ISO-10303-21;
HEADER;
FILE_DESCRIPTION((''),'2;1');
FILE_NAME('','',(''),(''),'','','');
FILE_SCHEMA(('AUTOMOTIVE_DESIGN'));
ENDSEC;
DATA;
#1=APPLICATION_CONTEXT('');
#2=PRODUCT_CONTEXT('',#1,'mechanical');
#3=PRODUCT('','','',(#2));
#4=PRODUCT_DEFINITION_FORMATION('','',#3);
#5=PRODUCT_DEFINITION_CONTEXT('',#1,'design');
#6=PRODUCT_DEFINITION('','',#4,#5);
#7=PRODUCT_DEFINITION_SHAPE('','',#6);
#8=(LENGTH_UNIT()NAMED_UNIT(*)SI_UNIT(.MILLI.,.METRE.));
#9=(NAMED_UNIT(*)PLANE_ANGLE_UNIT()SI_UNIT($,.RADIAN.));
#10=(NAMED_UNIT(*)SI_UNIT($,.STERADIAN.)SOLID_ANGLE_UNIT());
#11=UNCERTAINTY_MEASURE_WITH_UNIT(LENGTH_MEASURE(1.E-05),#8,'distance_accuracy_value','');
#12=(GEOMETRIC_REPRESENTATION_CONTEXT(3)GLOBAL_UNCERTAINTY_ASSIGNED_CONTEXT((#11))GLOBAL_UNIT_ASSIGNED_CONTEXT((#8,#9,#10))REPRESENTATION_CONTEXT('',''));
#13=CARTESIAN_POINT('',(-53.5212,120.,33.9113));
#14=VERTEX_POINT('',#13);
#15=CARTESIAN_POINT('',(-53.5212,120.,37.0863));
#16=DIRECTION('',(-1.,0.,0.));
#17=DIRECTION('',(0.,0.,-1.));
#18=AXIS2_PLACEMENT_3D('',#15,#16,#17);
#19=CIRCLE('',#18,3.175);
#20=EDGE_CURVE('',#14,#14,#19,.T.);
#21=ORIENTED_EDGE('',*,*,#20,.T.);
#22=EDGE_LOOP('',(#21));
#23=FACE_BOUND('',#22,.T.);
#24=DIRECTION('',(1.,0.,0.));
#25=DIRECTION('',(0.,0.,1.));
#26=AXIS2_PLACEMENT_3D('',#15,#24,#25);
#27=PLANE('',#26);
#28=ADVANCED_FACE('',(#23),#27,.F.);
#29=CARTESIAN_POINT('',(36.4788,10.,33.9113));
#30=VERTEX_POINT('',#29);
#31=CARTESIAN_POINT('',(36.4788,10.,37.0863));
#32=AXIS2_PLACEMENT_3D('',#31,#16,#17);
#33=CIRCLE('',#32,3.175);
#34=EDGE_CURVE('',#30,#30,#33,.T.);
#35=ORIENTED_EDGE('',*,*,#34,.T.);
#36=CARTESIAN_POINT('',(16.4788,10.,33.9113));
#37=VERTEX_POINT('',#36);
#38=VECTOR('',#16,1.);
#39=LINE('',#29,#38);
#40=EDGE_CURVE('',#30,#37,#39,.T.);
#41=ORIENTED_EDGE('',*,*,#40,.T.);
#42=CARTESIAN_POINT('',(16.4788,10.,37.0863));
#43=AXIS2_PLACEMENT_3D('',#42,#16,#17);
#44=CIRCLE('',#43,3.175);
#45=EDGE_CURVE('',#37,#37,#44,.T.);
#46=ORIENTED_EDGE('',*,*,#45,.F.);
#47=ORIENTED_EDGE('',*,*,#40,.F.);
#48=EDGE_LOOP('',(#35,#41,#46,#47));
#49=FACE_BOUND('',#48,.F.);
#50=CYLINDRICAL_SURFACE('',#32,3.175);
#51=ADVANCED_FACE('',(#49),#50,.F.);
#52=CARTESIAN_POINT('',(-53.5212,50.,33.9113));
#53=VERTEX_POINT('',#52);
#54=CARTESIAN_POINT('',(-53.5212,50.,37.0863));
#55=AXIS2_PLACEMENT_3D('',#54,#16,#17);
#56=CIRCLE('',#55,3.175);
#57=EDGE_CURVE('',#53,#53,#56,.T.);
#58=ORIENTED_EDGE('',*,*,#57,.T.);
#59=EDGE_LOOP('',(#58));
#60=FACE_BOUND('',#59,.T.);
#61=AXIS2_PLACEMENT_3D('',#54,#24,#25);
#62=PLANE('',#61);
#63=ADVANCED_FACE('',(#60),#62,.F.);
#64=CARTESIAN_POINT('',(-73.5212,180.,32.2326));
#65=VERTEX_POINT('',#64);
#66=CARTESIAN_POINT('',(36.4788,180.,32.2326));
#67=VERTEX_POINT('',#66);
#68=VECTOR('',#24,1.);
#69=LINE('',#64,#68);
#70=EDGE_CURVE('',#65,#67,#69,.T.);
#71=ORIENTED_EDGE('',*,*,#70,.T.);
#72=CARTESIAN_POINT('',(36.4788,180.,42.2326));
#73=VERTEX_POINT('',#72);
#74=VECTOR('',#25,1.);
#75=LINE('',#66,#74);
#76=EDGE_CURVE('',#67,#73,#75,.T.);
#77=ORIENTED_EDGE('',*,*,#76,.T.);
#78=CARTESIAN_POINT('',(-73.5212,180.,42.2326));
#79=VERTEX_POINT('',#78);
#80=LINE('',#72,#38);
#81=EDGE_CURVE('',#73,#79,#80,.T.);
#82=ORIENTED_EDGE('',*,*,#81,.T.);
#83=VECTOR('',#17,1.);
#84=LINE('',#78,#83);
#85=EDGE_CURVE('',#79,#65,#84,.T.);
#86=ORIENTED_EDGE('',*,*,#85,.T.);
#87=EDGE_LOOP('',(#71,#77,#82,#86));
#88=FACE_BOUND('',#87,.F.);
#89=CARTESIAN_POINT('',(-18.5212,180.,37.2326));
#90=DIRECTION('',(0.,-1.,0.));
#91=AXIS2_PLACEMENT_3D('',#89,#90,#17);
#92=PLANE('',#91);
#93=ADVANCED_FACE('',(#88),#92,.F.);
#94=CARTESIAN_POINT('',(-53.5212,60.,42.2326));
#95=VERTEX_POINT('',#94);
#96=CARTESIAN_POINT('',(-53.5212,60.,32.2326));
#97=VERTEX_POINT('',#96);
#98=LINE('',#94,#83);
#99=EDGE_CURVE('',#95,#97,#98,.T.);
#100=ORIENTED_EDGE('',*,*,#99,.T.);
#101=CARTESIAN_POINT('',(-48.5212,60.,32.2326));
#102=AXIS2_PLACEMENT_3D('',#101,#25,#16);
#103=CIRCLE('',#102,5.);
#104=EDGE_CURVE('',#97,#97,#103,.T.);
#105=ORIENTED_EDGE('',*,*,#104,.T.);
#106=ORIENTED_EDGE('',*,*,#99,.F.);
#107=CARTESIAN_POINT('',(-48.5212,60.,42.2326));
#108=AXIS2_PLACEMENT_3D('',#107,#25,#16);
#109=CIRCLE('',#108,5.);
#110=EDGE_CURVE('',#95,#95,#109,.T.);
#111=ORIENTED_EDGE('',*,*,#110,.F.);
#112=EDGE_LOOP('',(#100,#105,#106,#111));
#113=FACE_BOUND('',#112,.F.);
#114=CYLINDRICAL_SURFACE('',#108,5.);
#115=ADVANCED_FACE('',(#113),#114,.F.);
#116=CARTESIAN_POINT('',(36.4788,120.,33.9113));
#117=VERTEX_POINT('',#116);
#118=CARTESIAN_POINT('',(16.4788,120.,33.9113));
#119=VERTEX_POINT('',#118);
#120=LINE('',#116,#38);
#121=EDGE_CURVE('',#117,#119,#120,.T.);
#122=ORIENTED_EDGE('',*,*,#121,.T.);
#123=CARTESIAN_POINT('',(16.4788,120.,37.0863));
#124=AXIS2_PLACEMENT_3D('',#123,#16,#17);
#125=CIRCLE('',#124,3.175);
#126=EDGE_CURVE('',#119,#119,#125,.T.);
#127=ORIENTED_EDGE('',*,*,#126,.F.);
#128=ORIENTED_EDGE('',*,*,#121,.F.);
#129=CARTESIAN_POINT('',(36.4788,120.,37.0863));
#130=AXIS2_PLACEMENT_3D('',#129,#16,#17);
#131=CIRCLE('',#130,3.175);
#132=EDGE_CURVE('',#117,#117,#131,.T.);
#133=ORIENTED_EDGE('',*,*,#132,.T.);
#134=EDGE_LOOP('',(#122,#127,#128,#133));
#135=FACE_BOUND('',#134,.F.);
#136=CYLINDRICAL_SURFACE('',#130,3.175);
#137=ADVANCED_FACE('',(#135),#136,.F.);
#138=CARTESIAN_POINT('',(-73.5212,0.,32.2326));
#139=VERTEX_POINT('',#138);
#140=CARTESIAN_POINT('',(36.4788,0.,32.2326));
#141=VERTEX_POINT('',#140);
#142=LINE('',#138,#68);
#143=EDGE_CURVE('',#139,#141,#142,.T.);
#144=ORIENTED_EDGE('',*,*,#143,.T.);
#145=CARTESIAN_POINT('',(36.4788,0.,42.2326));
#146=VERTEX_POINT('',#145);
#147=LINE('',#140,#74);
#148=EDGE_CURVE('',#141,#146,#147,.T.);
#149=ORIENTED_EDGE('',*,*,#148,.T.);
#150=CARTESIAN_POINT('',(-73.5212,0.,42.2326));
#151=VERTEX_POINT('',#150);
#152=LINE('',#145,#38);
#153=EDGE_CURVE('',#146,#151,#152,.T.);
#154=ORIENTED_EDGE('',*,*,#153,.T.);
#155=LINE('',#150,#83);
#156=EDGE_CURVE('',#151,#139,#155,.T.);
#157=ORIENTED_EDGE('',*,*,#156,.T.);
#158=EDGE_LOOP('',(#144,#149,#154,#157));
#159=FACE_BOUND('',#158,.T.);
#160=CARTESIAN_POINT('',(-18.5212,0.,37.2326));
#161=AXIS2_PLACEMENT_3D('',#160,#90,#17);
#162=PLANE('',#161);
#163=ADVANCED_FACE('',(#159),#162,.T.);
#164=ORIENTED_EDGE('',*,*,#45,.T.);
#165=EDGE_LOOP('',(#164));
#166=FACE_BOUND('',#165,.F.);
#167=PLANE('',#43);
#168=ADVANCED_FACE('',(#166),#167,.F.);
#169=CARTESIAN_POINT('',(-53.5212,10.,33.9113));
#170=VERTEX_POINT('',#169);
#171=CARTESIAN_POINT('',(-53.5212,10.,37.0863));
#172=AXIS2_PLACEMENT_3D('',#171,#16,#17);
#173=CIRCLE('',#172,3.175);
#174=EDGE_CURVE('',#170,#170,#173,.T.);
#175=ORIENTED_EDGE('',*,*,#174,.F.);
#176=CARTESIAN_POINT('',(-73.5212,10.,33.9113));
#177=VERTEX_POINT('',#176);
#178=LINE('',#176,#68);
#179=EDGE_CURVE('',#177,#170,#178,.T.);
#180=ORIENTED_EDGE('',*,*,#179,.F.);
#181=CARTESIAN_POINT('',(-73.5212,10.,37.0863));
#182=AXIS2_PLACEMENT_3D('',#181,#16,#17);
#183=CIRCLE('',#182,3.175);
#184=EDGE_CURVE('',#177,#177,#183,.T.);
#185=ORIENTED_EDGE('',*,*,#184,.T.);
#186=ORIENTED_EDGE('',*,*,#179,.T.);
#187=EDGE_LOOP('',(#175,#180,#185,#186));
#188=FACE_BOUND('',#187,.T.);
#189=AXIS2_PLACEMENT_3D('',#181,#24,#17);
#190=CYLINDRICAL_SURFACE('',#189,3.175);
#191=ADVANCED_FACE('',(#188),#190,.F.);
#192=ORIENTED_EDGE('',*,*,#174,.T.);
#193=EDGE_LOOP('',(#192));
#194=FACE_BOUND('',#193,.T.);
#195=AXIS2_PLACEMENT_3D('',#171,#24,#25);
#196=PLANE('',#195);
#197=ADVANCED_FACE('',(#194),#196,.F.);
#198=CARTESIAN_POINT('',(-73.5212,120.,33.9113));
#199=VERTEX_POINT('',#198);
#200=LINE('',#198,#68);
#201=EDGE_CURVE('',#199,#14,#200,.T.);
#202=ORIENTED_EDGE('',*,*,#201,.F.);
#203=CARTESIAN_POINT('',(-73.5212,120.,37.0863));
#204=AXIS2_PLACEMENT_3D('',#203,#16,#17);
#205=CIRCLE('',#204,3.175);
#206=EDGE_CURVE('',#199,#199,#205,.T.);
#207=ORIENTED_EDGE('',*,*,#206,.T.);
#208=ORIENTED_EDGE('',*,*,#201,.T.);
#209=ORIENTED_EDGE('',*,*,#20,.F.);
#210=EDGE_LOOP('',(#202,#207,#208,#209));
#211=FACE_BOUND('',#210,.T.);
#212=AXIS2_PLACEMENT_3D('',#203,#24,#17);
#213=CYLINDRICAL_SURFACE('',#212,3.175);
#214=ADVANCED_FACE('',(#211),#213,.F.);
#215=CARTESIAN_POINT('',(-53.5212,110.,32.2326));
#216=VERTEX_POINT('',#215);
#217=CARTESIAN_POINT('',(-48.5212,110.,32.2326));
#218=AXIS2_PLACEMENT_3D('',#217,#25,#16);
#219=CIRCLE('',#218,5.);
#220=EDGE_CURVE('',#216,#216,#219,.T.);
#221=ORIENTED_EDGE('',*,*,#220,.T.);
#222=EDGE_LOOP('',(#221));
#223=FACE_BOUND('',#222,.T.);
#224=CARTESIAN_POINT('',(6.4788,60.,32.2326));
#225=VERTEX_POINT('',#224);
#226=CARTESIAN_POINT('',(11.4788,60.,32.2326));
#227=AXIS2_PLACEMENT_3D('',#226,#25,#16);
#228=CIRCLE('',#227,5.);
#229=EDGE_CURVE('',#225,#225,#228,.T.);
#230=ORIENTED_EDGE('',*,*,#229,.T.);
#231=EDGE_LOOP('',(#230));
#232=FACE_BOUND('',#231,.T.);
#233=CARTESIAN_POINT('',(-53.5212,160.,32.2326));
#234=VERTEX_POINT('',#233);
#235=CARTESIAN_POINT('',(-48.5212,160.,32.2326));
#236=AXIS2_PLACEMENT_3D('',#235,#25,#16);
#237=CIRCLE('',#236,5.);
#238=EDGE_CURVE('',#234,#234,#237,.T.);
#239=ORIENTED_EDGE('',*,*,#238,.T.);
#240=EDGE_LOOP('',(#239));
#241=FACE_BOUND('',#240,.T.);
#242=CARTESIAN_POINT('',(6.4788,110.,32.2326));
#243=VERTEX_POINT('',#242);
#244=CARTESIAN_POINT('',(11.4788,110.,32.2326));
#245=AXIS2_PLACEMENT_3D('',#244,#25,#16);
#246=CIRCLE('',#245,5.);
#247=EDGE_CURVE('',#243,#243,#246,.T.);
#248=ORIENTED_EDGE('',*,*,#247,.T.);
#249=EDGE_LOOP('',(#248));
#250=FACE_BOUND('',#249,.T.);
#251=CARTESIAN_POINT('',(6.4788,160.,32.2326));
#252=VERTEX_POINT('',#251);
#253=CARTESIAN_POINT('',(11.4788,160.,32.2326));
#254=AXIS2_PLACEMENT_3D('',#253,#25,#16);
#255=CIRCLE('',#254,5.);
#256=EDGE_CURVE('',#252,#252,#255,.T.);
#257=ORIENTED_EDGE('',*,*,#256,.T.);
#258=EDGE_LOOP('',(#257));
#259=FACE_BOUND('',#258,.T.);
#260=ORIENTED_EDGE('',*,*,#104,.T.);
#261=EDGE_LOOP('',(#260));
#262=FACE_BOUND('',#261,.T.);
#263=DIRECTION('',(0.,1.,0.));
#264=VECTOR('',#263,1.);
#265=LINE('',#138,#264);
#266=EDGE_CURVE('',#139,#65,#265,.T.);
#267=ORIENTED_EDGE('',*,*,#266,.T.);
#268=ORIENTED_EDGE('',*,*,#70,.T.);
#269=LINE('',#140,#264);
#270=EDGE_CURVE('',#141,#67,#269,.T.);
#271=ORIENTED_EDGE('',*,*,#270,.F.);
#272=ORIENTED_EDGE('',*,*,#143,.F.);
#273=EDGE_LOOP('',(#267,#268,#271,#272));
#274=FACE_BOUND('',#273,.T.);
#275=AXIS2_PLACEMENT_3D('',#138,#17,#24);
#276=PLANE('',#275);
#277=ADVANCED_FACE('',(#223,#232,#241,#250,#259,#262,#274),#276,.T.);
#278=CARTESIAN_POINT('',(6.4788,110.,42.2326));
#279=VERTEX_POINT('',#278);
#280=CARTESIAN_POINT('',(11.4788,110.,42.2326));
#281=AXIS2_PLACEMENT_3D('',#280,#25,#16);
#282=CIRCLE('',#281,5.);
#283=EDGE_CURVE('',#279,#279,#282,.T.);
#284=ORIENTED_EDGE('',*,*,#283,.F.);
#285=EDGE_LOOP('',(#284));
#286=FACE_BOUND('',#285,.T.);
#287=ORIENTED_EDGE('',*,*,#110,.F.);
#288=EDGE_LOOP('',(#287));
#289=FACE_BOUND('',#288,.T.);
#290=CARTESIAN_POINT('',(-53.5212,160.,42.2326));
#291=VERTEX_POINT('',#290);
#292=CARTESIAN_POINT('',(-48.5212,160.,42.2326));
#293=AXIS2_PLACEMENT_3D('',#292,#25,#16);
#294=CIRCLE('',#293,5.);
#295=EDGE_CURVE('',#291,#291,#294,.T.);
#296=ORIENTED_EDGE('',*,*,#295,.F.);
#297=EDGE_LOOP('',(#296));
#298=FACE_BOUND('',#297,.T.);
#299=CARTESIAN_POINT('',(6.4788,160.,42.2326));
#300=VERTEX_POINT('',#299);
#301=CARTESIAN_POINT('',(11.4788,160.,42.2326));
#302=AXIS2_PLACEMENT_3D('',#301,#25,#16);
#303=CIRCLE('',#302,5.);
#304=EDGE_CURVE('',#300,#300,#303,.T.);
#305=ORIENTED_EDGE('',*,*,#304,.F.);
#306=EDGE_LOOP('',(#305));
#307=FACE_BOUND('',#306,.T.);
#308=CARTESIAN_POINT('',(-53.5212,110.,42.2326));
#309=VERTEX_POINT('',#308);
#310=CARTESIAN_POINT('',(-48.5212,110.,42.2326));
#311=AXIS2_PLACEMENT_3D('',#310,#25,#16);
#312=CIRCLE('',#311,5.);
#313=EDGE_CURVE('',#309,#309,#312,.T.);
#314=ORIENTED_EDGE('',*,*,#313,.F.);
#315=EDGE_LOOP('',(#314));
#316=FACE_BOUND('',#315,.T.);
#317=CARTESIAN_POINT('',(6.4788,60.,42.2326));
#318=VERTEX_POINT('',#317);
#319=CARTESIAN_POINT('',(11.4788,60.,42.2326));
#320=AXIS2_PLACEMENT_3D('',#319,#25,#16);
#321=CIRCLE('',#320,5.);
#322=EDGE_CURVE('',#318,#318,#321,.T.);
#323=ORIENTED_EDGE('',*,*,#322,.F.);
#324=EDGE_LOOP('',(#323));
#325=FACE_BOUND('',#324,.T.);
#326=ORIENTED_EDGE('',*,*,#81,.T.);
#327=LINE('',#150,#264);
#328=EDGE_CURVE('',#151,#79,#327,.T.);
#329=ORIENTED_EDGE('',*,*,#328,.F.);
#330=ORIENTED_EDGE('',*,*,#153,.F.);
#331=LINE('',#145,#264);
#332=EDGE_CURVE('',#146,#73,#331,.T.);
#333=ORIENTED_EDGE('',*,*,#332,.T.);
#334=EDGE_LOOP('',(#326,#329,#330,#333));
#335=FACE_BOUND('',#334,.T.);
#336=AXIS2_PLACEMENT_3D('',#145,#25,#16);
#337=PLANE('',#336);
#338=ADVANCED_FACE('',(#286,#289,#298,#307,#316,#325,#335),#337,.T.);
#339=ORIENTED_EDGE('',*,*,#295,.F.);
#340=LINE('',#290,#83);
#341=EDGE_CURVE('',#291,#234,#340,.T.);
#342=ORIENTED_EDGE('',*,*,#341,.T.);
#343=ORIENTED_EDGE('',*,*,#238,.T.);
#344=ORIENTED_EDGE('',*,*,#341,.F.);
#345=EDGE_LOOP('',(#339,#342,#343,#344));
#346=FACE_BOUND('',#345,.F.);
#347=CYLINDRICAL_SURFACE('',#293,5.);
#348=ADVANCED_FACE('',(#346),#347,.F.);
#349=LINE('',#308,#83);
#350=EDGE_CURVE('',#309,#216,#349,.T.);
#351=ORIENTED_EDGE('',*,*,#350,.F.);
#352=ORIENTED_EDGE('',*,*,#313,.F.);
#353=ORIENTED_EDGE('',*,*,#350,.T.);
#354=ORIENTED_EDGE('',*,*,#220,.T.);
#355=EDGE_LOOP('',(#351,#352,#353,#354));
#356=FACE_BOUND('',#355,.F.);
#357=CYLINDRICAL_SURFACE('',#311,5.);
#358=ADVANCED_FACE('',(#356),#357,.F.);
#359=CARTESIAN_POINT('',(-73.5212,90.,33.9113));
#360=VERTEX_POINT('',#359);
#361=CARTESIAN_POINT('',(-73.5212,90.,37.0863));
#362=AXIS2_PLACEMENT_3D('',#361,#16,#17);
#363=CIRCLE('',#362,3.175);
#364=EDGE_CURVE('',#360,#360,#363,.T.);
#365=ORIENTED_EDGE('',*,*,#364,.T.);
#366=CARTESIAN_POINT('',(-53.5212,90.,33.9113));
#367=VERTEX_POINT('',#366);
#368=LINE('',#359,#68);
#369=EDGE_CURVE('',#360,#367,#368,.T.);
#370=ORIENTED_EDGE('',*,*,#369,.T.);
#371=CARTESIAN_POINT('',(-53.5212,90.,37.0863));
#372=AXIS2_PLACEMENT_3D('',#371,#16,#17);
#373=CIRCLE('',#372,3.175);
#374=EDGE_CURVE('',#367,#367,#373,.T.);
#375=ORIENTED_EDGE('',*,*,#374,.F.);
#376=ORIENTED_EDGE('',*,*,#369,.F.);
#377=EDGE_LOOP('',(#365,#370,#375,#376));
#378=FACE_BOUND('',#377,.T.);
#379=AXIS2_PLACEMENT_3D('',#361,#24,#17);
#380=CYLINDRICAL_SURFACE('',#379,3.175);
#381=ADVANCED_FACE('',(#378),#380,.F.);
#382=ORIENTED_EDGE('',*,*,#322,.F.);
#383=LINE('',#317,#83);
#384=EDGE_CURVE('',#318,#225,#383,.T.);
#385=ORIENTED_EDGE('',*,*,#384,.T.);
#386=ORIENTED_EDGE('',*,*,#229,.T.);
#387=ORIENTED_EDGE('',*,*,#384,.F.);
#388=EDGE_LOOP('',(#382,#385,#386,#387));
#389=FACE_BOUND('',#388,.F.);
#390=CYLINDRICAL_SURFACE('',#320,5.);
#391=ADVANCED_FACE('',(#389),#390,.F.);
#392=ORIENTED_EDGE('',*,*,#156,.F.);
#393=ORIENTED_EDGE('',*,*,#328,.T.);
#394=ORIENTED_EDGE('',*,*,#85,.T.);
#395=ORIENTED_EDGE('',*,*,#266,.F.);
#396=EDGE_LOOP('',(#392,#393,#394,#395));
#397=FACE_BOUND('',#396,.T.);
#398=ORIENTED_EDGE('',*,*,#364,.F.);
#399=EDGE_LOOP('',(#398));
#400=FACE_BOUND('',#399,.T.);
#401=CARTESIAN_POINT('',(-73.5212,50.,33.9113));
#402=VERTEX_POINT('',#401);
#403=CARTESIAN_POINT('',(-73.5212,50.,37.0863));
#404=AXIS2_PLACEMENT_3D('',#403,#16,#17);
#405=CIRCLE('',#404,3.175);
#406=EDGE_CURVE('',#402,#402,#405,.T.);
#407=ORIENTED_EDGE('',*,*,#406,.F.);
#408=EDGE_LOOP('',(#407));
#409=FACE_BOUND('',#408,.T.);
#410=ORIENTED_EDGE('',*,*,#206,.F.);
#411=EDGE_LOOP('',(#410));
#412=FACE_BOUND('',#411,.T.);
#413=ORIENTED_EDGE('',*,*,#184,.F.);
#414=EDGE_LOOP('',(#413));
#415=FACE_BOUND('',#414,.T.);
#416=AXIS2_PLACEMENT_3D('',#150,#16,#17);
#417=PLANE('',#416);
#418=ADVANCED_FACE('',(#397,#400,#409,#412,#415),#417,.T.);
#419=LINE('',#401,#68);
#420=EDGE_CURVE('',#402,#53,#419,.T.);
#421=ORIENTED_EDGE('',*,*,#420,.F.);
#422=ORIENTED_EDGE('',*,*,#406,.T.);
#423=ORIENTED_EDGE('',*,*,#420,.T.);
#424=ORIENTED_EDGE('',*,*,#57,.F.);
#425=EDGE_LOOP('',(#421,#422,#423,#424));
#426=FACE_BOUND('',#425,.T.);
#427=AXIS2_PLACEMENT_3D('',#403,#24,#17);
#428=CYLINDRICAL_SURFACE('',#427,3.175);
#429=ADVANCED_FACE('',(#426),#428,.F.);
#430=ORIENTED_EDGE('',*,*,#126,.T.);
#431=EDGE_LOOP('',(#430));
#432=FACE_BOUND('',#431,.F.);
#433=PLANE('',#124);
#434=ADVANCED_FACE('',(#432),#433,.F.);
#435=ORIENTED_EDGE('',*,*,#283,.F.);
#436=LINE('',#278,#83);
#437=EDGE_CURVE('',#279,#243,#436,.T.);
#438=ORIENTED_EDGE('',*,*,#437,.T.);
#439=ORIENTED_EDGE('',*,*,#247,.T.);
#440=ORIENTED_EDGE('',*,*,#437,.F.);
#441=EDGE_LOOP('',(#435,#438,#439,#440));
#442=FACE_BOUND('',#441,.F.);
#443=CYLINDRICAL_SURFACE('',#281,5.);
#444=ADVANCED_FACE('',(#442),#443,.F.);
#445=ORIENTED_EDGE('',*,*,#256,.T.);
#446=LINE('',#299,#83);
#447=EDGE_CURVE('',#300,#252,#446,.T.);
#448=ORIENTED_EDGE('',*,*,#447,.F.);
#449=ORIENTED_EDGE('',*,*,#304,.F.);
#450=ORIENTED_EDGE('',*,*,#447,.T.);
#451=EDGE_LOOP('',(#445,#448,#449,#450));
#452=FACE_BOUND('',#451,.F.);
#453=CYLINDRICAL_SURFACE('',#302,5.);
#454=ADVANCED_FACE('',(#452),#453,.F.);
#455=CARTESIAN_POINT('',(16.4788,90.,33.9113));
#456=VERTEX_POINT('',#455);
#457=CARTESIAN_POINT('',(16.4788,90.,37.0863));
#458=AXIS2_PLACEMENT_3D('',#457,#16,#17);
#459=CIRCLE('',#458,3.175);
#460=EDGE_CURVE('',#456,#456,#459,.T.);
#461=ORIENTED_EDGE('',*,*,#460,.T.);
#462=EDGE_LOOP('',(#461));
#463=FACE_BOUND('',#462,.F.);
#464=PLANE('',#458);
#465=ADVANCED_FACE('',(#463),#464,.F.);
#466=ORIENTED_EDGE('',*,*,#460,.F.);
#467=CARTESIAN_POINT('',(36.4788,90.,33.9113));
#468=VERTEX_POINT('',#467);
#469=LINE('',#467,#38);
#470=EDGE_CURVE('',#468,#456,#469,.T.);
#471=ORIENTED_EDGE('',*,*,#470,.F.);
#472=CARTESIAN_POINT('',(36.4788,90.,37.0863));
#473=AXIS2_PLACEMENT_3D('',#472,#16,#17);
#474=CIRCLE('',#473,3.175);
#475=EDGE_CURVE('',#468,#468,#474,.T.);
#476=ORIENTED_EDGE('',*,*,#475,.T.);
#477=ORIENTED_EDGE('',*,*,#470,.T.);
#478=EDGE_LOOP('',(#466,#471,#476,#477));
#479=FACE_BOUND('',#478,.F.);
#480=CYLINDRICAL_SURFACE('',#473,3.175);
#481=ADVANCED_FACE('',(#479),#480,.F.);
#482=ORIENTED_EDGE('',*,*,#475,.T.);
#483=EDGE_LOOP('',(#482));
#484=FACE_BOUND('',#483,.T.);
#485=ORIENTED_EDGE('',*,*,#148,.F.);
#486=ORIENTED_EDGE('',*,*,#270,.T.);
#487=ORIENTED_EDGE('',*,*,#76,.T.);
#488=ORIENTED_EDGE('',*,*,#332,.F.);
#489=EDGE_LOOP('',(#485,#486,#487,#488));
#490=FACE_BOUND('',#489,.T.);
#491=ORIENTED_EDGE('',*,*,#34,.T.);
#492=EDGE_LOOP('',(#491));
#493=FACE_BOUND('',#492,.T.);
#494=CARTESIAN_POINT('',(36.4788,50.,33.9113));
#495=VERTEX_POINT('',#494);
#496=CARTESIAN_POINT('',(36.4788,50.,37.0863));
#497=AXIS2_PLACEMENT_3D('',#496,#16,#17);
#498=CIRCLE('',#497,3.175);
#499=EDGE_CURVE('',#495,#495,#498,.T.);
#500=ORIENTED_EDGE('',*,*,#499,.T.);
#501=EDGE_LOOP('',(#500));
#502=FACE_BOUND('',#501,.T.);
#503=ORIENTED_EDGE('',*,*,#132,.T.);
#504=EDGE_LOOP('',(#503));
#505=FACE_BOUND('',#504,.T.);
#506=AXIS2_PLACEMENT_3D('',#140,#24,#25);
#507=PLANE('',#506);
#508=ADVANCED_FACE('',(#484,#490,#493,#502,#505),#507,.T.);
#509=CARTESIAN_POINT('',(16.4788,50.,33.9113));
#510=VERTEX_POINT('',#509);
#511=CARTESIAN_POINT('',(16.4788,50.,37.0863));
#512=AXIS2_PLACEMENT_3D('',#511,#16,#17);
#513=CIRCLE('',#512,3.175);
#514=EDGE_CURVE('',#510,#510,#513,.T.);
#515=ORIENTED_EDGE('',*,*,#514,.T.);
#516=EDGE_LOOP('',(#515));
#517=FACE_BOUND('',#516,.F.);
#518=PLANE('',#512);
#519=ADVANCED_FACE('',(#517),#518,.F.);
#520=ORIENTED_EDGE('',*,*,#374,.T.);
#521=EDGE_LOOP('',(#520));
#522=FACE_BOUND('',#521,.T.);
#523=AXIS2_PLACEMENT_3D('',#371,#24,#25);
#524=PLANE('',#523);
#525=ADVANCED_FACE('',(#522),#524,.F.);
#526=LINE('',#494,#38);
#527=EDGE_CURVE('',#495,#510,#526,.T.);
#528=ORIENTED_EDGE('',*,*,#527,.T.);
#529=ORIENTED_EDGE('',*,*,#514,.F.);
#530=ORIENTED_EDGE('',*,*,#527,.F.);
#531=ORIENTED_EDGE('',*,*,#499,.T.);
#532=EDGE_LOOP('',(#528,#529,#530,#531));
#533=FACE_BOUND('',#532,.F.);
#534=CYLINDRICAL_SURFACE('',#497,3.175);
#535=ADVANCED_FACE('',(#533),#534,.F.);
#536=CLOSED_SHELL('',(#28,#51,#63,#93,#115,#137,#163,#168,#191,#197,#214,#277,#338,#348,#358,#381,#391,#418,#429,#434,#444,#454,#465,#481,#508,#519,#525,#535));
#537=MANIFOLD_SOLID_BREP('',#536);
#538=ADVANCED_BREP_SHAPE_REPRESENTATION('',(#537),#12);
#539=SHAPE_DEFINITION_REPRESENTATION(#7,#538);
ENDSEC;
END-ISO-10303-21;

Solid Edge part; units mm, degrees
sketch "Sketch1" plane through (0, 0, 0) normal (0, -1, 0) x (1, 0, 0)
  line L0 (-73.5212, 32.2326) -> (36.4788, 32.2326)
  line L1 (36.4788, 32.2326) -> (36.4788, 42.2326)
  line L2 (36.4788, 42.2326) -> (-73.5212, 42.2326)
  line L3 (-73.5212, 42.2326) -> (-73.5212, 32.2326)
  dimension "D1" = 10
  dimension "D2" = 110
extrude "Protrusion1" add sketch "Sketch1" against normal blind 180
hole "Hole_1" at (36.4788, 50, 37.0863) direction (-1, 0, 0) diameter 6.35 depth 20
hole "Hole1" at (36.4788, 90, 37.0863) direction (-1, 0, 0) diameter 6.35 depth 20
hole "Hole2" at (36.4788, 120, 37.0863) direction (-1, 0, 0) diameter 6.35 depth 20
hole "Hole3" at (36.4788, 10, 37.0863) direction (-1, 0, 0) diameter 6.35 depth 20
mirror "Mirror1" about plane through (-18.5212, 90, 37.2326) normal (1, 0, 0) of "Hole_1", "Hole1", "Hole2", "Hole3"
sketch "Sketch2" plane through (-18.5212, 90, 42.2326) normal (0, 0, 1) x (-1, 0, 0)
  circle A0 centre (30, 30) radius 5
  circle A1 centre (-30, -70) radius 5
  circle A2 centre (30, -70) radius 5
  circle A3 centre (-30, -20) radius 5
  circle A4 centre (30, -20) radius 5
  circle A5 centre (-30, 30) radius 5
  dimension "D1" = 10
  dimension "D2" = 10
  dimension "D3" = 60
  dimension "D4" = 60
  dimension "D5" = 100
  dimension "D6" = 25
  dimension "D7" = 60
  dimension "D8" = 10
  dimension "D9" = 10
  dimension "D10" = 50
  dimension "D11" = 50
extrude "Cutout1" cut sketch "Sketch2" against normal through all
